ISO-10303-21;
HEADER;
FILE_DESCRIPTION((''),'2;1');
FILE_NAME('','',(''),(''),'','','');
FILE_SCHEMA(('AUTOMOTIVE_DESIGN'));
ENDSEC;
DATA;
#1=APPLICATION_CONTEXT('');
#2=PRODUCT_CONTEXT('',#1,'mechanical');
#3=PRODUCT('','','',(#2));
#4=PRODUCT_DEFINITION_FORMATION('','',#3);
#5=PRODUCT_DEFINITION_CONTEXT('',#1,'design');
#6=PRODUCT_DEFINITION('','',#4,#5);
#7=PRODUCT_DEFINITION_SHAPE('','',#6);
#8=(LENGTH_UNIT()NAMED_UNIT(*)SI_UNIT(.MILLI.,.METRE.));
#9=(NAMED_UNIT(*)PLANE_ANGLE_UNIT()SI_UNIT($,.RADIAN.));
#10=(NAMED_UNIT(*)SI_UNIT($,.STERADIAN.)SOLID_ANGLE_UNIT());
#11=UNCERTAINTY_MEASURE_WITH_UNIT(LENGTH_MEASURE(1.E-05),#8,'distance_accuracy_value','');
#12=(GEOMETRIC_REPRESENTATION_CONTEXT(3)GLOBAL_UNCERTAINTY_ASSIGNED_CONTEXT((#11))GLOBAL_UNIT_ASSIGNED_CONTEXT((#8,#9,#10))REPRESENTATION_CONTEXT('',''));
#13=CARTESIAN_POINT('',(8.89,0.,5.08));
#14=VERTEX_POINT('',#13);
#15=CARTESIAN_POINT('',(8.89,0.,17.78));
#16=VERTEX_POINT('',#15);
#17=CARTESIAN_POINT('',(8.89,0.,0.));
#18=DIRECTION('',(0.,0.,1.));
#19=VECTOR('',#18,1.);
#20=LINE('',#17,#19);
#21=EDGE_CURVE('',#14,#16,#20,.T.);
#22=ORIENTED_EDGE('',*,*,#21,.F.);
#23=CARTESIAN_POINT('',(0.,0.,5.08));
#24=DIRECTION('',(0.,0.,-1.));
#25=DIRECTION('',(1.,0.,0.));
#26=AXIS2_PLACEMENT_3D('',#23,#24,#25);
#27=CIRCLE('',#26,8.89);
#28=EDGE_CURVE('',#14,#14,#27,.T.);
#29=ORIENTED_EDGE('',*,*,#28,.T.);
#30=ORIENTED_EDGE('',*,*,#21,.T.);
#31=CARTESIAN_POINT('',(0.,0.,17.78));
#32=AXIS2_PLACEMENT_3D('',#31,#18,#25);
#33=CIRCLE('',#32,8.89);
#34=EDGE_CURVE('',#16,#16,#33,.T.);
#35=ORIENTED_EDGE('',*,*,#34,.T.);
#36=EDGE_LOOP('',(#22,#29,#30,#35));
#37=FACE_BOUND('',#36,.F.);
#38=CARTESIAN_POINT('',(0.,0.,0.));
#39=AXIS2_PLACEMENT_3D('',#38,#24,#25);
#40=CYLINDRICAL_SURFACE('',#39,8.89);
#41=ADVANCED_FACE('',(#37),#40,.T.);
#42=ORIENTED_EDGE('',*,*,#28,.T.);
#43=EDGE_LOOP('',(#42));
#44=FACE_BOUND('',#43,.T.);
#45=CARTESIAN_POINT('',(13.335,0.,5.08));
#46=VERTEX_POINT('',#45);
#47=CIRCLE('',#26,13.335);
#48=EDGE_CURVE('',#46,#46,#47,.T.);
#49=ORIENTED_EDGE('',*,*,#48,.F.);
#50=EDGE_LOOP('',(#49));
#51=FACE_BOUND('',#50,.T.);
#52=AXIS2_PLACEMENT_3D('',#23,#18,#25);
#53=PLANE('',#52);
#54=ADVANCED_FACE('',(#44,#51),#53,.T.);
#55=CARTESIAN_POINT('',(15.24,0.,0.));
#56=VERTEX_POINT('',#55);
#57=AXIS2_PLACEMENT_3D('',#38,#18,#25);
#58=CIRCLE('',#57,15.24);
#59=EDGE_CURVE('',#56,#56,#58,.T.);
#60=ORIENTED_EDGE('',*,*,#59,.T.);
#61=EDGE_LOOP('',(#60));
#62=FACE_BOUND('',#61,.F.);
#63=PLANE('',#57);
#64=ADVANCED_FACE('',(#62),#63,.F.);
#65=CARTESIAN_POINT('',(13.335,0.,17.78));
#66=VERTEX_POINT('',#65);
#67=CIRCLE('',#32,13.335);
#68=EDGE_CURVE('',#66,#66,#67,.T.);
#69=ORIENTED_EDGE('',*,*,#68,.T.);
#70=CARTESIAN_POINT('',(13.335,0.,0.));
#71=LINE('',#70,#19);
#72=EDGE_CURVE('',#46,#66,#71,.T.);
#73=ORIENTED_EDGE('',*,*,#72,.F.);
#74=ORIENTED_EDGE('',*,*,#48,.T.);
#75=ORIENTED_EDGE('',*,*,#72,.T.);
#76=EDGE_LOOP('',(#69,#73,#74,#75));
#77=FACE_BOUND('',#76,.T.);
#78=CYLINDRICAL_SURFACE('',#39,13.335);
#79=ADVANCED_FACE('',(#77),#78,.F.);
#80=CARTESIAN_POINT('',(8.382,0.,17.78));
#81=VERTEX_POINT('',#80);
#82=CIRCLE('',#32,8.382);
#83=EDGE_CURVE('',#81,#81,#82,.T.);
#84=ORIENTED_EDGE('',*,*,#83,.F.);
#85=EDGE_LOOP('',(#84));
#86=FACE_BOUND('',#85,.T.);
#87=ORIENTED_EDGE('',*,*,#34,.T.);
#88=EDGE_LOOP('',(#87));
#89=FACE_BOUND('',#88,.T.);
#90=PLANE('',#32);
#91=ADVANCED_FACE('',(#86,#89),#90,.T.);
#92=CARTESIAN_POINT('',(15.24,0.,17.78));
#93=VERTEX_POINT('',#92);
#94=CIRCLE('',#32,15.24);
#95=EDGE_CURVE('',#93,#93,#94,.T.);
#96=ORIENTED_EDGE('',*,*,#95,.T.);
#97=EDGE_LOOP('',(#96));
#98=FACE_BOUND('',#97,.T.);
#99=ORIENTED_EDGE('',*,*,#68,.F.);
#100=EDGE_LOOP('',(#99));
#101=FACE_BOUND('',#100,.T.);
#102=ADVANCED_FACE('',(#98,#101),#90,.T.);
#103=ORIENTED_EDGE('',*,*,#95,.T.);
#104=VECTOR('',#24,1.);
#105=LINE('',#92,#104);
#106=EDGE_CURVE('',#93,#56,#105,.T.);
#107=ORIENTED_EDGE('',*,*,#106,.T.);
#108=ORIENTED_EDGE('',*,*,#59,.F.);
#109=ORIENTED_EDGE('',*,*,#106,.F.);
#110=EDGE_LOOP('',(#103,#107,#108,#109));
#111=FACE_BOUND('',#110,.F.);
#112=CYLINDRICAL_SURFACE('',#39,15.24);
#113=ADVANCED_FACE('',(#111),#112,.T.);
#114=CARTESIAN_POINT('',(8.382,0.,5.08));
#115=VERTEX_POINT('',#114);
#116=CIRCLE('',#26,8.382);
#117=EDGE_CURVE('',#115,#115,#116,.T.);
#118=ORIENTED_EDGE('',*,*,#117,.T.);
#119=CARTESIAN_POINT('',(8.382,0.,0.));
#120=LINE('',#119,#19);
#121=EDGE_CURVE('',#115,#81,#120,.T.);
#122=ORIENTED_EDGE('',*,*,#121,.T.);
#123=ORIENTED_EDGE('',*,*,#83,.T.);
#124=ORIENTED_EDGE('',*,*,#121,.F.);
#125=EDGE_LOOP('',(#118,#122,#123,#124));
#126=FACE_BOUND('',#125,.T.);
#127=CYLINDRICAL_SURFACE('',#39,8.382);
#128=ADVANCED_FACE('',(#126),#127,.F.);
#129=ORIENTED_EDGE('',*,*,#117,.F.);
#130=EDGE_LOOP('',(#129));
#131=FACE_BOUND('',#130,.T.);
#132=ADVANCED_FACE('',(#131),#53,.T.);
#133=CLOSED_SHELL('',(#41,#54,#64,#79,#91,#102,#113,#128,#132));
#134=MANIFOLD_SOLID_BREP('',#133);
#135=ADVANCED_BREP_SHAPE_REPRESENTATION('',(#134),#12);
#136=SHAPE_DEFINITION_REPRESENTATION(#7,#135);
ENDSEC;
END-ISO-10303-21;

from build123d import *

# Parameters (mm, degrees)
F0_R     = 15.24
F0_R_2   = 13.335
F0_R_3   = 8.89
F0_R_4   = 8.382
F1_DEPTH = 5.08
F2_DEPTH = 17.78
F3_DEPTH = 17.78


with BuildPart() as f1:
    # F0 (on Top) → F1 (new body)
    with BuildSketch(Plane.XY):
        Circle(F0_R)
        Circle(F0_R_2, mode=Mode.SUBTRACT)
        Circle(F0_R_2)
        Circle(F0_R_3, mode=Mode.SUBTRACT)
        Circle(F0_R_3)
        Circle(F0_R_4, mode=Mode.SUBTRACT)
        Circle(F0_R_4)
    extrude(amount=F1_DEPTH)

    # F0 (on Top) → F2 (join)
    with BuildSketch(Plane.XY):
        Circle(F0_R)
        Circle(F0_R_2, mode=Mode.SUBTRACT)
    extrude(amount=F2_DEPTH)

    # F0 (on Top) → F3 (join)
    with BuildSketch(Plane.XY):
        Circle(F0_R_3)
        Circle(F0_R_4, mode=Mode.SUBTRACT)
    extrude(amount=F3_DEPTH)


solid = f1.part
